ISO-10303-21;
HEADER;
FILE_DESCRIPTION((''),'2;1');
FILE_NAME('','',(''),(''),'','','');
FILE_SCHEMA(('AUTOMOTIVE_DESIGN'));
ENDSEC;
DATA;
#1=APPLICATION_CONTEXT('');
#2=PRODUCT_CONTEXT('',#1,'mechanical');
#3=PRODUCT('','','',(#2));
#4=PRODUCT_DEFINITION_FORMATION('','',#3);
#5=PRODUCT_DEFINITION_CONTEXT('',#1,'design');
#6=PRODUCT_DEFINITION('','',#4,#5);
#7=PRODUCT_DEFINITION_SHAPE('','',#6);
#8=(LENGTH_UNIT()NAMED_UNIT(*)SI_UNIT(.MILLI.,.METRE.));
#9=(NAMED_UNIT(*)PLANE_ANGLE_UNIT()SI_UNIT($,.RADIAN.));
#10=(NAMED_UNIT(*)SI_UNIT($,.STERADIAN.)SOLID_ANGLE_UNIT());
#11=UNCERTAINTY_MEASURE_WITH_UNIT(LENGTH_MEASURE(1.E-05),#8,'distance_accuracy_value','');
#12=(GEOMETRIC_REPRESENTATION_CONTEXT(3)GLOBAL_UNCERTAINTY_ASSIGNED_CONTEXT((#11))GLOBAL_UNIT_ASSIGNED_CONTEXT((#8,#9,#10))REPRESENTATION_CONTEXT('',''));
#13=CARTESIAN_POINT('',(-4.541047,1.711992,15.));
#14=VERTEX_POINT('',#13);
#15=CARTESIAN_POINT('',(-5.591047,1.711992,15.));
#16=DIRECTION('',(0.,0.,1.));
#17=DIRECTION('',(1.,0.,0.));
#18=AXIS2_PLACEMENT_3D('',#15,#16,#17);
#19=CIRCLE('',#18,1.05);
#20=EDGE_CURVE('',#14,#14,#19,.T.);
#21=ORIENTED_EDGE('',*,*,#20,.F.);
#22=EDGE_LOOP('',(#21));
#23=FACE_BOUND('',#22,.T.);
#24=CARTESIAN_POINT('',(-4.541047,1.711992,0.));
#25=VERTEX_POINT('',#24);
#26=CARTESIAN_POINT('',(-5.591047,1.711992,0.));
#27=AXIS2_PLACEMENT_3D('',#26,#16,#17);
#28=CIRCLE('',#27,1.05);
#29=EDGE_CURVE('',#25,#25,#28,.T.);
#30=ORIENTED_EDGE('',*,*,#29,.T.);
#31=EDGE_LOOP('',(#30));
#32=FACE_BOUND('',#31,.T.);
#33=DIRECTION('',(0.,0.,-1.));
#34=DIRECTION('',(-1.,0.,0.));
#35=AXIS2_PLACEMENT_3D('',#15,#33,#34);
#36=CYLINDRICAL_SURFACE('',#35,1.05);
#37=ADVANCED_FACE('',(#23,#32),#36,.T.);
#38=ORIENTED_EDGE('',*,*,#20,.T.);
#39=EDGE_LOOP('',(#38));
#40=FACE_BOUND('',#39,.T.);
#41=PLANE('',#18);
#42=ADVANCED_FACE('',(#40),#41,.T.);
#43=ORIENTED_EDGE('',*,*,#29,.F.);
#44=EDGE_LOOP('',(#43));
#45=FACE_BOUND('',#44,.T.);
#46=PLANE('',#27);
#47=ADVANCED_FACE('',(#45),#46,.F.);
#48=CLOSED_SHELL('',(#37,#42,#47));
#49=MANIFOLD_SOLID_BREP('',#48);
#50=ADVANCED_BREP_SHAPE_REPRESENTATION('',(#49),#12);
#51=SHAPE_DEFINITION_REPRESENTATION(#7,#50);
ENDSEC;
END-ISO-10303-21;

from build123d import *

# Parameters (mm, degrees)
ESQUISSE1_R        = 1.05
BOSS_EXTRU_1_DEPTH = 15


with BuildPart() as part:
    # Esquisse1 → Boss.-Extru.1 (new body)
    with BuildSketch(Plane.XY):
        with Locations((-5.591047199, 1.711992037)):
            Circle(ESQUISSE1_R)
    extrude(amount=BOSS_EXTRU_1_DEPTH)


solid = part.part
